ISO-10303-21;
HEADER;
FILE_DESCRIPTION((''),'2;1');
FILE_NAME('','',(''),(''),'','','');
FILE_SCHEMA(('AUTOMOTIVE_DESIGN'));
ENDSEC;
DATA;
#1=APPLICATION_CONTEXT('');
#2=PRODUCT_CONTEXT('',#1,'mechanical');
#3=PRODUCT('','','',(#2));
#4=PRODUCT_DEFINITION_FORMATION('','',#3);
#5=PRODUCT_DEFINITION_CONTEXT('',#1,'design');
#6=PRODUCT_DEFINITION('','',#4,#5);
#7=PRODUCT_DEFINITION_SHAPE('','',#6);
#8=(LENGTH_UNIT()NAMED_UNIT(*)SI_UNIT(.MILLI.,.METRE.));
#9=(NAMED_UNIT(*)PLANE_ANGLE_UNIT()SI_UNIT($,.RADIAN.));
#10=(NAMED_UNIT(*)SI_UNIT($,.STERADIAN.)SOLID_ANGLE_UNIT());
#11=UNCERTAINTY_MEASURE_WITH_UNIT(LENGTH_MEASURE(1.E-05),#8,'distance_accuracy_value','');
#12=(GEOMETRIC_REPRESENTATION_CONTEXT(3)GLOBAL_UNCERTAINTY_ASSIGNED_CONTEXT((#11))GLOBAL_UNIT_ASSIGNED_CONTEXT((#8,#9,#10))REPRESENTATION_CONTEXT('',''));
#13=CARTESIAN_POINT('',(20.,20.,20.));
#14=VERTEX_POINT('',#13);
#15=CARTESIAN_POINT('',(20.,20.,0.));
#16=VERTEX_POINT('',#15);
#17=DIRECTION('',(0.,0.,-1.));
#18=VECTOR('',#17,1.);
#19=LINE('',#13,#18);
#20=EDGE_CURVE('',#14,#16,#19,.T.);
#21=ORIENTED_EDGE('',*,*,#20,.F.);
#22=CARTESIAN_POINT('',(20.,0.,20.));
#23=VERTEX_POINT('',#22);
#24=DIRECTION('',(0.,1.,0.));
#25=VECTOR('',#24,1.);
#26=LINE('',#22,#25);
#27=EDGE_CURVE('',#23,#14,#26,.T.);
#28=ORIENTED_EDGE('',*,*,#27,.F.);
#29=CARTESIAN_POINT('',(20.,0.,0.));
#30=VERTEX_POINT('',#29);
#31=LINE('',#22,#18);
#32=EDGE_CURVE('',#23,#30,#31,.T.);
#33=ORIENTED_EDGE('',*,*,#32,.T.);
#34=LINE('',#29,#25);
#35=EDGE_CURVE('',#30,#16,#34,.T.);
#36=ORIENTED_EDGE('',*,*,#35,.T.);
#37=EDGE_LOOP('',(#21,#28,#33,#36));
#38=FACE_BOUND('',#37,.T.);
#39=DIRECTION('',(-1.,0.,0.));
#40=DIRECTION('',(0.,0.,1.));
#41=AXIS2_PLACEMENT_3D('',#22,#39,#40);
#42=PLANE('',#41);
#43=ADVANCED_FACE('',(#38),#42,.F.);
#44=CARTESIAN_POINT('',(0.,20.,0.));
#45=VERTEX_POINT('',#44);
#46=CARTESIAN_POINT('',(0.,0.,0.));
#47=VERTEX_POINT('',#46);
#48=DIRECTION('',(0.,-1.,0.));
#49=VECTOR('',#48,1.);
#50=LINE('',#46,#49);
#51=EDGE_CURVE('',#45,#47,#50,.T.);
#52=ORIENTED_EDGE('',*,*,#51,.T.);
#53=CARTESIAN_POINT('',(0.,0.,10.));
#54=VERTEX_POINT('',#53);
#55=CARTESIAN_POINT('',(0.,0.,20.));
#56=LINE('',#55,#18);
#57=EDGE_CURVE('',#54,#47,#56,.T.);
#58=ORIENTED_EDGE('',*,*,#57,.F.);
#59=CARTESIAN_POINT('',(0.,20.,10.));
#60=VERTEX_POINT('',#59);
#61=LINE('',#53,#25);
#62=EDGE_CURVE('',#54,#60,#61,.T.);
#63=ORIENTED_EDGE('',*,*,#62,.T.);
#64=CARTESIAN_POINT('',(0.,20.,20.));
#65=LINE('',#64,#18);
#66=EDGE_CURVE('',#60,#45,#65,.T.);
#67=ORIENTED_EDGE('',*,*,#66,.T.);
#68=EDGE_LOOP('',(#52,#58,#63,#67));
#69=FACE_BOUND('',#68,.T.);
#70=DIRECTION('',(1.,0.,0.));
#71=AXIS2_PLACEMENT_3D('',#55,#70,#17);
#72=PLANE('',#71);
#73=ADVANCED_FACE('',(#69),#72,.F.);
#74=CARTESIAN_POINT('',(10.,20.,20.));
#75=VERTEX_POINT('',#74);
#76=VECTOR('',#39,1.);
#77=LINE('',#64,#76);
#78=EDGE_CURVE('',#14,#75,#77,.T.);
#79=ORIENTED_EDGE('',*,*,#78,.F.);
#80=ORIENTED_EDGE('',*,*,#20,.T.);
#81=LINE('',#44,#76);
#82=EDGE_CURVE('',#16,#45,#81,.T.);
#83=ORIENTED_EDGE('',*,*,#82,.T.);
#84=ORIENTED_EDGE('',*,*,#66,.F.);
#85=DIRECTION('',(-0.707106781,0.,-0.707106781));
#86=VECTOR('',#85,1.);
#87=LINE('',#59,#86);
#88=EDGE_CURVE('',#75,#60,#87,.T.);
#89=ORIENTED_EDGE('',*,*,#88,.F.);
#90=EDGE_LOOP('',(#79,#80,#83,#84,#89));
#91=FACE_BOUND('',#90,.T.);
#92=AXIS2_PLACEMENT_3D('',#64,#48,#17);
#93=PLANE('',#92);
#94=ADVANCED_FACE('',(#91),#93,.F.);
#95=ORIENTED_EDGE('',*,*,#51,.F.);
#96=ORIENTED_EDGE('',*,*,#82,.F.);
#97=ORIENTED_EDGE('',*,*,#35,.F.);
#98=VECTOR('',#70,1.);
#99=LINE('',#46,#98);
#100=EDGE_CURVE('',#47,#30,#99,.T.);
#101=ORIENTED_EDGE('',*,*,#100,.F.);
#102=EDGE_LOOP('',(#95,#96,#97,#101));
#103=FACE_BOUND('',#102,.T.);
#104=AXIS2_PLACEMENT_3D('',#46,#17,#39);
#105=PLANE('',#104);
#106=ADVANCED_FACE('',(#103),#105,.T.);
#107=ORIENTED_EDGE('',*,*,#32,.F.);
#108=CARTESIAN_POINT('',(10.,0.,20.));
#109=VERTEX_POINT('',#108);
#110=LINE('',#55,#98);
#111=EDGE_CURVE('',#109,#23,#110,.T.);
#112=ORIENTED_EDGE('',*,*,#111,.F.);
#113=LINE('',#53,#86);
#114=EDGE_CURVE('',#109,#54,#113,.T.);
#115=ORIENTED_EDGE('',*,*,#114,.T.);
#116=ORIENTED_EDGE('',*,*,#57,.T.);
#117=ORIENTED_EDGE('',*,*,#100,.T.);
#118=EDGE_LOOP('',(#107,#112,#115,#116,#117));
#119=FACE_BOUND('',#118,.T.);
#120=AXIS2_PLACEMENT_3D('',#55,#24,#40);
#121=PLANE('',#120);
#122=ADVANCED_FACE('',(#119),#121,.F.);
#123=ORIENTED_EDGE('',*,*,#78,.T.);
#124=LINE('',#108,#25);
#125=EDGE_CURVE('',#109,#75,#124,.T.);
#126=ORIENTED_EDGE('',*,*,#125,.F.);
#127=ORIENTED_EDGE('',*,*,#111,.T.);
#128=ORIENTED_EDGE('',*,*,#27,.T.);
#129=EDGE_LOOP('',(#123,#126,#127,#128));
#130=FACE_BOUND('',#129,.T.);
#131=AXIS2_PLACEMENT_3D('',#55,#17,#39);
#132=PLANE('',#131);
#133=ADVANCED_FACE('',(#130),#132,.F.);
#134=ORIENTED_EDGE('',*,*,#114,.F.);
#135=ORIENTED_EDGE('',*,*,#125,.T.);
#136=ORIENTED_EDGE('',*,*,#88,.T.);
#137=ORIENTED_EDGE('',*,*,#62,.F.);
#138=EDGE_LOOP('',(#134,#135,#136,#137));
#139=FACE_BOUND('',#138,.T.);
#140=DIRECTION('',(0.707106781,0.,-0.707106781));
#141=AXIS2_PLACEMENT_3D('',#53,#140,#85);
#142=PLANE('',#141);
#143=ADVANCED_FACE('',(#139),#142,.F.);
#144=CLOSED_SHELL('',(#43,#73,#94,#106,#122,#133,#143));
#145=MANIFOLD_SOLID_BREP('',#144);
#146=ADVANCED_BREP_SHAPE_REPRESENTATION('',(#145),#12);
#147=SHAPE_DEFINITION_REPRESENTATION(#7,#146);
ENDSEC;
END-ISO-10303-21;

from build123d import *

# Parameters (mm, degrees)
SKETCH1_W           = 20
SKETCH1_H           = 20
BOSS_EXTRUDE1_DEPTH = 20
CUT_EXTRUDE1_DEPTH  = 20


with BuildPart() as part:
    # Sketch1 → Boss-Extrude1 (new body)
    with BuildSketch(Plane.XY):
        with Locations((10, 10)):
            Rectangle(SKETCH1_W, SKETCH1_H)
    extrude(amount=BOSS_EXTRUDE1_DEPTH)

    # Sketch2 → Cut-Extrude1 (cut)
    with BuildSketch(Plane(origin=(0, 20, 0), x_dir=(1, 0, 0), z_dir=(0, 1, 0))):
        Polygon((0, -10), (10, -20), (0, -20), align=None)
    extrude(amount=-CUT_EXTRUDE1_DEPTH, mode=Mode.SUBTRACT)


solid = part.part
